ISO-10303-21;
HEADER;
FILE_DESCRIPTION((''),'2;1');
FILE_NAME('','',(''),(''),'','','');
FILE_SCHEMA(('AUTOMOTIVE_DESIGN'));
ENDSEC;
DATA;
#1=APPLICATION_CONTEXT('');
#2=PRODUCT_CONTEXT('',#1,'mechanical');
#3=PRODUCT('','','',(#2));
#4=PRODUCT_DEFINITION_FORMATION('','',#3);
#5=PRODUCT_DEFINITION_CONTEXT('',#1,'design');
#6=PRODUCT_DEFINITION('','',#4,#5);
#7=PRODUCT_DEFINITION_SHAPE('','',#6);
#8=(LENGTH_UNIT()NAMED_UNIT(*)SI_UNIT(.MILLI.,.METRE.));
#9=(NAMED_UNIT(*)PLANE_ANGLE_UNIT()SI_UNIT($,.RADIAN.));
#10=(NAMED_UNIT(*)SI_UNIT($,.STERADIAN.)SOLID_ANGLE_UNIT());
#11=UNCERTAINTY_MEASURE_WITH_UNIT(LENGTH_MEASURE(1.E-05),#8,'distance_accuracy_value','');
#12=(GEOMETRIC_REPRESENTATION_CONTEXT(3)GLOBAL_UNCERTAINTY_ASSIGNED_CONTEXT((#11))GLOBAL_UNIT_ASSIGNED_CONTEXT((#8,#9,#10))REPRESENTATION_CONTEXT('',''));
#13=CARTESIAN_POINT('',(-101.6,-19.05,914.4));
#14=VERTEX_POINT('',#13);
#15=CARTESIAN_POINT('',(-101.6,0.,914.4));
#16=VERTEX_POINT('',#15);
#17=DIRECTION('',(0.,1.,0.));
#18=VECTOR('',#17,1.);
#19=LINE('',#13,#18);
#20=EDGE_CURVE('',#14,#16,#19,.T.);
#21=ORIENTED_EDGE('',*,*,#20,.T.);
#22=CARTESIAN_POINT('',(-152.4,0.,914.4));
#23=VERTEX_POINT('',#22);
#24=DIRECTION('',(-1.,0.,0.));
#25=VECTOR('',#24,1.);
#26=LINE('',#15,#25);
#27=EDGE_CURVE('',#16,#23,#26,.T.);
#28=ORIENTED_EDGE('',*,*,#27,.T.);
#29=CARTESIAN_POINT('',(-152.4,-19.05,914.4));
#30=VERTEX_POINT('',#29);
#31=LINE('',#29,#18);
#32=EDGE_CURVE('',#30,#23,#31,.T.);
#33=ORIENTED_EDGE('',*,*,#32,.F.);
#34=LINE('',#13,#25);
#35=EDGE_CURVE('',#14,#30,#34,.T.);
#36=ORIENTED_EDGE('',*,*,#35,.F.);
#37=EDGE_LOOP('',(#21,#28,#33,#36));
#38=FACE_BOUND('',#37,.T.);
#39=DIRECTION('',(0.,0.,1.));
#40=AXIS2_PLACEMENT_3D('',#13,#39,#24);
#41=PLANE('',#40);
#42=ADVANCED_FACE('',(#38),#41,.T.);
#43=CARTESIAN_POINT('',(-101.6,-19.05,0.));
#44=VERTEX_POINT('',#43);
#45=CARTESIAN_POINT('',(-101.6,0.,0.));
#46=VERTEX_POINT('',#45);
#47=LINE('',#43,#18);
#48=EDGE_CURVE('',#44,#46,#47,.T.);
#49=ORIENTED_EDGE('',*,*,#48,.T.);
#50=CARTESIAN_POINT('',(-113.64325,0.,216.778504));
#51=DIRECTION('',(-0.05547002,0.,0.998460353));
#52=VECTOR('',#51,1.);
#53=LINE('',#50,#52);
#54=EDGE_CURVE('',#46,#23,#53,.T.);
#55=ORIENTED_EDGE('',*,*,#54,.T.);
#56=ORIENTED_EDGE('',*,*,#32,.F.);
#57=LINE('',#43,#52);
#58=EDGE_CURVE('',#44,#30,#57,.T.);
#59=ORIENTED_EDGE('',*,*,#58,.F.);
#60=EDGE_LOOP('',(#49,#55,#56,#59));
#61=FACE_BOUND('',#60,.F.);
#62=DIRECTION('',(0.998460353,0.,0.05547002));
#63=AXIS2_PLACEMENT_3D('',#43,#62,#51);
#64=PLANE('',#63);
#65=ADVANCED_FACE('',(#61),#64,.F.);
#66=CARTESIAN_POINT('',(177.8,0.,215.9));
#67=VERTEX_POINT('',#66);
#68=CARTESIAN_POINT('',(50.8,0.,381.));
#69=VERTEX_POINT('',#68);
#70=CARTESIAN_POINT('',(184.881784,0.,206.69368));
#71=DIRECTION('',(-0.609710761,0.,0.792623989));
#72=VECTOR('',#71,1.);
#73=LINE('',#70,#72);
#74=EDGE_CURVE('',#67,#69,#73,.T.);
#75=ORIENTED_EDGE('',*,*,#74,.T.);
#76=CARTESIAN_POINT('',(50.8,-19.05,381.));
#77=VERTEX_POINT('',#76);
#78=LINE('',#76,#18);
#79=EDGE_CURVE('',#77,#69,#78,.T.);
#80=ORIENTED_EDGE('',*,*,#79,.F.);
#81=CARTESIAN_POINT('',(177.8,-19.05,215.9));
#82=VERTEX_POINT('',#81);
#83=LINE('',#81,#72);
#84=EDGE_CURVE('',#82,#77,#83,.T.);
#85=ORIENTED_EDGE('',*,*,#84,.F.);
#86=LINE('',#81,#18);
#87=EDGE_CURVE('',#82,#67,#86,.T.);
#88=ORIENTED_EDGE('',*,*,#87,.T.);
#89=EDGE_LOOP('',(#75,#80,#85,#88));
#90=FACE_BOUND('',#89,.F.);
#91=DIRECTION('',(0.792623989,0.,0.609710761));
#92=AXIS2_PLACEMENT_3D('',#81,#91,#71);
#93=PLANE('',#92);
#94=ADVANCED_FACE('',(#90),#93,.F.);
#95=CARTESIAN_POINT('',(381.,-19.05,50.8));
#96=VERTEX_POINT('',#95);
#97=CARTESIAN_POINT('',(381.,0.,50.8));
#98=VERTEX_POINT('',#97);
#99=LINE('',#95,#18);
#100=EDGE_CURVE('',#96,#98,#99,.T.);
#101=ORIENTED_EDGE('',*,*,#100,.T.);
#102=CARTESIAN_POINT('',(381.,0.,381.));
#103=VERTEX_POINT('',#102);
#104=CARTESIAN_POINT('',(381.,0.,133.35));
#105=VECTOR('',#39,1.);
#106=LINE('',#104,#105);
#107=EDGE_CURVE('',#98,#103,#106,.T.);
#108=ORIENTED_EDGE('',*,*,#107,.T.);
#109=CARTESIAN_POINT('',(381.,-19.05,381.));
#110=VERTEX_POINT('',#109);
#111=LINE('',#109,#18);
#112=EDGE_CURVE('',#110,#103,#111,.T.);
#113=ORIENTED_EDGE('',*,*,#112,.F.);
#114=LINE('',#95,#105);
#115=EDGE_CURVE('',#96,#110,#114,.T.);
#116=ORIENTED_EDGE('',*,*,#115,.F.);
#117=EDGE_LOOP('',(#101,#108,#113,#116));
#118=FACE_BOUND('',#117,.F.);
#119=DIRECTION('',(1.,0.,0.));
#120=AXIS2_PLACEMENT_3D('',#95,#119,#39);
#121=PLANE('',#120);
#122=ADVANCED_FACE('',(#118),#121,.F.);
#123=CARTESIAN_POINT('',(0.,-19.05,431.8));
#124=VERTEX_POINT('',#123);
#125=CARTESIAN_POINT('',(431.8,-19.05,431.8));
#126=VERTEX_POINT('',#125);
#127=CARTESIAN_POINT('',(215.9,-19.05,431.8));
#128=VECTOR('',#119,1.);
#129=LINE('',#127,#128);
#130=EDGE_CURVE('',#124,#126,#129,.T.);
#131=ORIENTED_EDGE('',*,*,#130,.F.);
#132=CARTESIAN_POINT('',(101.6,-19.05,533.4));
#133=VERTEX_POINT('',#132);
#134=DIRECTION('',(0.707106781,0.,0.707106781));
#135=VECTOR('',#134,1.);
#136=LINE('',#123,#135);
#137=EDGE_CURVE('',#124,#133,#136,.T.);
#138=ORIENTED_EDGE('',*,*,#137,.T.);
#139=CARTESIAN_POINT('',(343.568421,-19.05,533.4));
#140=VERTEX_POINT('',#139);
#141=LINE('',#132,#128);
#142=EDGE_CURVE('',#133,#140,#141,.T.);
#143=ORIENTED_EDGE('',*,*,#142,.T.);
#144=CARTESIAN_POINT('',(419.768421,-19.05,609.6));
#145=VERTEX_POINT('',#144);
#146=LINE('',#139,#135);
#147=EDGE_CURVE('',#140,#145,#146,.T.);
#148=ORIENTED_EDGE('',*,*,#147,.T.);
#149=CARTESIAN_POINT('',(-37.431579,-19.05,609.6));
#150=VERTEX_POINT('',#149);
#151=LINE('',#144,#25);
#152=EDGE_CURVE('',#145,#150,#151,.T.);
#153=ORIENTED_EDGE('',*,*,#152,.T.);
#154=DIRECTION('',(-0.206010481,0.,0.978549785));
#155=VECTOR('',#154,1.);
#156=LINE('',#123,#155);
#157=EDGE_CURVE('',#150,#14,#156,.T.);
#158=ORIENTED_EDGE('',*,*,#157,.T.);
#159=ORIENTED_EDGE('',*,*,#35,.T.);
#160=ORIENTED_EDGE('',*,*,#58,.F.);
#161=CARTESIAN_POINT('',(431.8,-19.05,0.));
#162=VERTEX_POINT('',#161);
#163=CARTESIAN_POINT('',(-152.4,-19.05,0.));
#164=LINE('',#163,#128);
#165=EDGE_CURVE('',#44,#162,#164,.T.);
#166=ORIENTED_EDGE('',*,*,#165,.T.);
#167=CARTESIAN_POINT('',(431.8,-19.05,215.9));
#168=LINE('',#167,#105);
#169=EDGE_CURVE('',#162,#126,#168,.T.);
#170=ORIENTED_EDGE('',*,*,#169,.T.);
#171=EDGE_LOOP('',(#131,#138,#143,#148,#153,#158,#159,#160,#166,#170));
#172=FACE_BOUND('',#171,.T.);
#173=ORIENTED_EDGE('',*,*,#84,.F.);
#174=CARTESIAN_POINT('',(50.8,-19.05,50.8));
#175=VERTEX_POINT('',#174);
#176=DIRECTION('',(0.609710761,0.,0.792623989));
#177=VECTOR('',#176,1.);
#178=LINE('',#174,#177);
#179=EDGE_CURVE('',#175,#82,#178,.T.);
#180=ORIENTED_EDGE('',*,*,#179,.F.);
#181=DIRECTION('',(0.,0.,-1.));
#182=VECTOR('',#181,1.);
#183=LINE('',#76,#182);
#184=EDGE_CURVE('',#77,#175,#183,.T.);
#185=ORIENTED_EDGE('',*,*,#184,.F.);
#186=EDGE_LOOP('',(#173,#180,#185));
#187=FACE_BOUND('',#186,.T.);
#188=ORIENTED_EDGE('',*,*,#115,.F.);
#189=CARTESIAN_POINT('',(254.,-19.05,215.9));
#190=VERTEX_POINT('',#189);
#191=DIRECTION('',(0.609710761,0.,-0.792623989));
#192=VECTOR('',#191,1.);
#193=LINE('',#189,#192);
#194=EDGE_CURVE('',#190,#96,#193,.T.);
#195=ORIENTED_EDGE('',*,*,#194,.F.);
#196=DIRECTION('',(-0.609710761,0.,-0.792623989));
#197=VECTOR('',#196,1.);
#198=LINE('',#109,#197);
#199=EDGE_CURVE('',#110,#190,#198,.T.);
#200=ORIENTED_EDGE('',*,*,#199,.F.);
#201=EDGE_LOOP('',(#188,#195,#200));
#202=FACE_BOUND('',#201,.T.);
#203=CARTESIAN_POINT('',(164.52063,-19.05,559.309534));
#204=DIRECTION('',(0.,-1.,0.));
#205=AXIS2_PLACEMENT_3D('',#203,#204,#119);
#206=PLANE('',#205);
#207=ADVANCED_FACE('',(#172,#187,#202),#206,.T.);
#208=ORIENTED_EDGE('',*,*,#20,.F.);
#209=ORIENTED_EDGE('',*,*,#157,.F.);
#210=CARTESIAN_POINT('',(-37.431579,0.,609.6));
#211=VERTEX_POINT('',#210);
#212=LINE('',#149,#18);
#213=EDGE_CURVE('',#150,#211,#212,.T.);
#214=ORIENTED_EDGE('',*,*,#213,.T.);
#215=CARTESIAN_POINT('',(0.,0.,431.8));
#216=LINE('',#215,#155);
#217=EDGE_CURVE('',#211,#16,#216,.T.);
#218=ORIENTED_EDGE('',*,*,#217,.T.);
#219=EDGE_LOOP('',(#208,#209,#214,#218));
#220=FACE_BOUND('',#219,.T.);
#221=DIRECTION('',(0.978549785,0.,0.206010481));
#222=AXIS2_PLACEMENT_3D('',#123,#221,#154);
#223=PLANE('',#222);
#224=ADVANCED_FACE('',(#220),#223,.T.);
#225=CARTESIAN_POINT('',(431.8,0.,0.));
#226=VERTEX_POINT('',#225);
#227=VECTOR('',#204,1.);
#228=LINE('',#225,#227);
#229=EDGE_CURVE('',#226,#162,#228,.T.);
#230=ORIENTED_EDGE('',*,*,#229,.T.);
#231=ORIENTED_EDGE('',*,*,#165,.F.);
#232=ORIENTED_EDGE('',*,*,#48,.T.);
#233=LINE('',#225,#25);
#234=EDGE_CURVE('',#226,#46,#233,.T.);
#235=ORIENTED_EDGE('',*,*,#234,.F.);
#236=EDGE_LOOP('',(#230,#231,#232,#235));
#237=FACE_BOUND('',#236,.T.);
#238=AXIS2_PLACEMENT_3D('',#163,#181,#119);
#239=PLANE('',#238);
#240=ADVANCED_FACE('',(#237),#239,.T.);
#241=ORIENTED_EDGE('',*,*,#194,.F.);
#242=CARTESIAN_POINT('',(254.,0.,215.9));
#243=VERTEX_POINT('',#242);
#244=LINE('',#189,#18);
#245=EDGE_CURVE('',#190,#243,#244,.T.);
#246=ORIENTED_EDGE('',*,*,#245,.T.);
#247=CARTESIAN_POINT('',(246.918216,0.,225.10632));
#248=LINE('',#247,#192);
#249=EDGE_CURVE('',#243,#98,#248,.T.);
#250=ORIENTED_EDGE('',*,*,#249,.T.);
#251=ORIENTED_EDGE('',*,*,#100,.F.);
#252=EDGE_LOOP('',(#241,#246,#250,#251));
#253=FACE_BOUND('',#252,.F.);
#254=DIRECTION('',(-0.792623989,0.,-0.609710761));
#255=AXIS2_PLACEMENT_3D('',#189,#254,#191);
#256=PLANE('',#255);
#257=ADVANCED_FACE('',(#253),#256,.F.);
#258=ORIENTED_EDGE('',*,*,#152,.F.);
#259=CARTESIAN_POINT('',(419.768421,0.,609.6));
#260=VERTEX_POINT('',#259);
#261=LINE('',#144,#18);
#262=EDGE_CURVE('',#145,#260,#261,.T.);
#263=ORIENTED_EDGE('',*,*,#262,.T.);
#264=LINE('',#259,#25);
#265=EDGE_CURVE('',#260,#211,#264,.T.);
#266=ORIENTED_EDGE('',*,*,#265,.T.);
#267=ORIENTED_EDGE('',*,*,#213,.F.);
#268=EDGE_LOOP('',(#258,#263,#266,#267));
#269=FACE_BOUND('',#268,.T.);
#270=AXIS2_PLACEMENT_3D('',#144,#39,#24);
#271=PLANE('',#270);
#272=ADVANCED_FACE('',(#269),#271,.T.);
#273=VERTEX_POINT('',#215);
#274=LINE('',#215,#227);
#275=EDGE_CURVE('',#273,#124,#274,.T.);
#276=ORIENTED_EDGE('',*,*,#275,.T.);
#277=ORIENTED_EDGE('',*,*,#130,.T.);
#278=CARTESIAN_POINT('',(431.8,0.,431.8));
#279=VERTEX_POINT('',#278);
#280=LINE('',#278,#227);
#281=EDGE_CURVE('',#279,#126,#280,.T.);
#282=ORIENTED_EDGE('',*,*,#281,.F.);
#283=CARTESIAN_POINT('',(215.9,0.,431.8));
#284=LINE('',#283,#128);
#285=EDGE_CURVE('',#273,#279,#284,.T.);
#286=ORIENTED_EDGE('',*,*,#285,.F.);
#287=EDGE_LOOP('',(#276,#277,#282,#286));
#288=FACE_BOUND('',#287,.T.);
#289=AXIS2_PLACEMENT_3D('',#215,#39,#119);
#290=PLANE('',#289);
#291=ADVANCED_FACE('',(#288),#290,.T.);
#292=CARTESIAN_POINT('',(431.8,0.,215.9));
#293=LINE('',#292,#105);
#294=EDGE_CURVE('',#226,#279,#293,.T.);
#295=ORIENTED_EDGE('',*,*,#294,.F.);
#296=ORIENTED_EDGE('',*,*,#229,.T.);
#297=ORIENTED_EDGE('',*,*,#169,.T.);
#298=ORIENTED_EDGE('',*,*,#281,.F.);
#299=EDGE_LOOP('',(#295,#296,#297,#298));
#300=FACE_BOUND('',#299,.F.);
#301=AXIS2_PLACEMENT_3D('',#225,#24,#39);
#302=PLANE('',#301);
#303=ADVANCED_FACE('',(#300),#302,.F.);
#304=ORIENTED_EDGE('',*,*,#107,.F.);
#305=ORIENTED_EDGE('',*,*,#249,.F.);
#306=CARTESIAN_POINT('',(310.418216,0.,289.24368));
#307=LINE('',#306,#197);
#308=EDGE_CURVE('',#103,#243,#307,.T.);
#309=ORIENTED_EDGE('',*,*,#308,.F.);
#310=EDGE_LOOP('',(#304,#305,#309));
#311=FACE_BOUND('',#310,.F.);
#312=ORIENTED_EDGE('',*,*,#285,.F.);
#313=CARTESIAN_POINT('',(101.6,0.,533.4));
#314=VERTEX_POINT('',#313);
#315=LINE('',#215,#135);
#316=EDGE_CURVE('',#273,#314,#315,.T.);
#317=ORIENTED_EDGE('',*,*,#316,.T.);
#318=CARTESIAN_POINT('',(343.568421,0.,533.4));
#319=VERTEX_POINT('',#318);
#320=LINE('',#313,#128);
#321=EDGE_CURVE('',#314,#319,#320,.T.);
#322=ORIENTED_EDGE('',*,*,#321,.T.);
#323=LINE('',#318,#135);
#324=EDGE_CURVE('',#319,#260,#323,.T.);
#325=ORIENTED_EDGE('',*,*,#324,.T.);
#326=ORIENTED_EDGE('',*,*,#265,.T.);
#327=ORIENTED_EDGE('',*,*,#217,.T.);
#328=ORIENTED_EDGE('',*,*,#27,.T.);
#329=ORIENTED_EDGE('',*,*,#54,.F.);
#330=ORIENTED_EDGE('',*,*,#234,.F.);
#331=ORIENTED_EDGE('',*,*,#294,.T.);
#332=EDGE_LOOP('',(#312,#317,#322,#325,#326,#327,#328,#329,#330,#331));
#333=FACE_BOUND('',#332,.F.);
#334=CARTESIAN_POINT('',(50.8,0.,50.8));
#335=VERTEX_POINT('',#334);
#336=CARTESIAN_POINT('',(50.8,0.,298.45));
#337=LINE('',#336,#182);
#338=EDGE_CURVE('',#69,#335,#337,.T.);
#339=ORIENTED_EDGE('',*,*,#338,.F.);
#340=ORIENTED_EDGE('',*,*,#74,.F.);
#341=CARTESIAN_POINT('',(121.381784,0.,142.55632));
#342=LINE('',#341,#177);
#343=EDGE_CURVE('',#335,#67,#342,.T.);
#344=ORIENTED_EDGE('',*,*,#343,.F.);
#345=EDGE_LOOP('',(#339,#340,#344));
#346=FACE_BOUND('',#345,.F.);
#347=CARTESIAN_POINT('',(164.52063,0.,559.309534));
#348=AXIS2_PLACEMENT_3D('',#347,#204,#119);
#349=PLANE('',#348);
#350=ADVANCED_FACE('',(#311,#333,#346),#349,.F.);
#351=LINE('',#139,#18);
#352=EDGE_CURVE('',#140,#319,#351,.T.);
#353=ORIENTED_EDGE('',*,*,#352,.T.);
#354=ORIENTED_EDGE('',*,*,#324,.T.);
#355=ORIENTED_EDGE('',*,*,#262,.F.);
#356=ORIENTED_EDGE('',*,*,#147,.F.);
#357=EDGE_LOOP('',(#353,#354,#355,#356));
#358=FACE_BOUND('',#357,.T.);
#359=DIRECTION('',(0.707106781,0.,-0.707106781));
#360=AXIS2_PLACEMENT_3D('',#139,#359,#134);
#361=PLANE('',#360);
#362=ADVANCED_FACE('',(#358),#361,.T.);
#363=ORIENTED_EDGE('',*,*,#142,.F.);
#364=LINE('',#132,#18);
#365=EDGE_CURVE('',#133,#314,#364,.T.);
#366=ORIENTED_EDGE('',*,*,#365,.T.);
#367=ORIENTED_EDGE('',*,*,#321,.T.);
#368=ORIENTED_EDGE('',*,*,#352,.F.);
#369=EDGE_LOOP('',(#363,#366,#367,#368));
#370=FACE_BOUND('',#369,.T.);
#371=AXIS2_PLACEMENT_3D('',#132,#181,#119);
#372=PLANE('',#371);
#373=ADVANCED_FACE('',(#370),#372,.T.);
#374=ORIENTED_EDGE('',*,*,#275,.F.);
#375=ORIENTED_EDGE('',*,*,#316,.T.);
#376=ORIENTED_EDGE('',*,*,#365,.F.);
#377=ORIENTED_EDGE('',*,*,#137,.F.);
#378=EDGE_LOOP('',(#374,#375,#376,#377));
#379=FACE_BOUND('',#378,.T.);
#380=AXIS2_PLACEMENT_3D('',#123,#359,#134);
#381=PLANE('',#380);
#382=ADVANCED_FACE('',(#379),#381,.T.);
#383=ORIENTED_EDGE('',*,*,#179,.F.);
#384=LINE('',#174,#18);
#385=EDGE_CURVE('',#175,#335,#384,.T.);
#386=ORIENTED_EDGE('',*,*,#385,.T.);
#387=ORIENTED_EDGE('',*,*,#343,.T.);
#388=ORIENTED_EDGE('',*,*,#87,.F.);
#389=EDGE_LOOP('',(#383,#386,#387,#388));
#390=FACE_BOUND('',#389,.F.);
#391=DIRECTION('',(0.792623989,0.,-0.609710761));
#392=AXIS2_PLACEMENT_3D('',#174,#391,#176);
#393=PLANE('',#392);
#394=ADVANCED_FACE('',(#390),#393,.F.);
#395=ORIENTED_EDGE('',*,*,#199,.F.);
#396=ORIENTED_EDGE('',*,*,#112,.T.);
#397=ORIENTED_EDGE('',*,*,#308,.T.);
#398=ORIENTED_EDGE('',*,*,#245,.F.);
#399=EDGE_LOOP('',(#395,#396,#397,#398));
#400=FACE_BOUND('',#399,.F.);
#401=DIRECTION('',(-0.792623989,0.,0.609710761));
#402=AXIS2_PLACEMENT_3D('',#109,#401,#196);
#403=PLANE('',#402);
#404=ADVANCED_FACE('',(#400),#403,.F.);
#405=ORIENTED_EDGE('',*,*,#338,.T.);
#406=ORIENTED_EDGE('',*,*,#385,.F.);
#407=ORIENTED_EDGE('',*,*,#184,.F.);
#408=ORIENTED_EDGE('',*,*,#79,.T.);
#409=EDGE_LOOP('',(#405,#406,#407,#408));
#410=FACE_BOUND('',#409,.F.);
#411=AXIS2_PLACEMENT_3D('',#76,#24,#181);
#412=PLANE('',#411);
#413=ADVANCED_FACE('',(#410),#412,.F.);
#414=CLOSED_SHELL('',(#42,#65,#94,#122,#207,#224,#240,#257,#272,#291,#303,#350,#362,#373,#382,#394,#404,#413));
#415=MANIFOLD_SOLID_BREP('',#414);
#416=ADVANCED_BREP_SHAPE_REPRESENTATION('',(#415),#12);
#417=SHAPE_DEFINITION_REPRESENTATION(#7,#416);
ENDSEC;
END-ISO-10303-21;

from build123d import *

# Parameters (mm, degrees)
F0_W     = 431.8
F0_H     = 431.8
F1_DEPTH = 19.05
F3_DEPTH = 19.051
F5_DEPTH = 19.05
F7_DEPTH = 19.051
F9_DEPTH = 19.05


with BuildPart() as f1:
    # F0 (on Front) → F1 (new body)
    with BuildSketch(Plane.XZ):
        with Locations((215.9, 215.9)):
            Rectangle(F0_W, F0_H)
    extrude(amount=F1_DEPTH)

    # F2 (on face) → F3 (cut, through all)
    with BuildSketch(Plane.XZ.offset(19.05)):
        Polygon((177.8, 215.9), (50.8, 381), (50.8, 50.8), align=None)
        Polygon((381, 50.8), (381, 381), (254, 215.9), align=None)
    extrude(amount=-F3_DEPTH, mode=Mode.SUBTRACT)

    # F4 (on face) → F5 (join, through all)
    with BuildSketch(Plane.XZ.offset(19.05)):
        Polygon((0, 0), (0, 431.8), (-101.6, 914.4), (-152.4, 914.4), (-152.4, 0), align=None)
    extrude(amount=-F5_DEPTH)

    # F6 (on face) → F7 (cut, through all)
    with BuildSketch(Plane.XZ.offset(19.05)):
        Polygon((-101.6, 0), (-152.4, 914.4), (-152.4, 0), align=None)
    extrude(amount=-F7_DEPTH, mode=Mode.SUBTRACT)

    # F8 (on face) → F9 (join)
    with BuildSketch(Plane.XZ.offset(19.05)):
        Polygon((419.768421, 609.6), (-37.431579, 609.6), (0, 431.8), (101.6, 533.4), (343.568421, 533.4), align=None)
    extrude(amount=-F9_DEPTH)


solid = f1.part
